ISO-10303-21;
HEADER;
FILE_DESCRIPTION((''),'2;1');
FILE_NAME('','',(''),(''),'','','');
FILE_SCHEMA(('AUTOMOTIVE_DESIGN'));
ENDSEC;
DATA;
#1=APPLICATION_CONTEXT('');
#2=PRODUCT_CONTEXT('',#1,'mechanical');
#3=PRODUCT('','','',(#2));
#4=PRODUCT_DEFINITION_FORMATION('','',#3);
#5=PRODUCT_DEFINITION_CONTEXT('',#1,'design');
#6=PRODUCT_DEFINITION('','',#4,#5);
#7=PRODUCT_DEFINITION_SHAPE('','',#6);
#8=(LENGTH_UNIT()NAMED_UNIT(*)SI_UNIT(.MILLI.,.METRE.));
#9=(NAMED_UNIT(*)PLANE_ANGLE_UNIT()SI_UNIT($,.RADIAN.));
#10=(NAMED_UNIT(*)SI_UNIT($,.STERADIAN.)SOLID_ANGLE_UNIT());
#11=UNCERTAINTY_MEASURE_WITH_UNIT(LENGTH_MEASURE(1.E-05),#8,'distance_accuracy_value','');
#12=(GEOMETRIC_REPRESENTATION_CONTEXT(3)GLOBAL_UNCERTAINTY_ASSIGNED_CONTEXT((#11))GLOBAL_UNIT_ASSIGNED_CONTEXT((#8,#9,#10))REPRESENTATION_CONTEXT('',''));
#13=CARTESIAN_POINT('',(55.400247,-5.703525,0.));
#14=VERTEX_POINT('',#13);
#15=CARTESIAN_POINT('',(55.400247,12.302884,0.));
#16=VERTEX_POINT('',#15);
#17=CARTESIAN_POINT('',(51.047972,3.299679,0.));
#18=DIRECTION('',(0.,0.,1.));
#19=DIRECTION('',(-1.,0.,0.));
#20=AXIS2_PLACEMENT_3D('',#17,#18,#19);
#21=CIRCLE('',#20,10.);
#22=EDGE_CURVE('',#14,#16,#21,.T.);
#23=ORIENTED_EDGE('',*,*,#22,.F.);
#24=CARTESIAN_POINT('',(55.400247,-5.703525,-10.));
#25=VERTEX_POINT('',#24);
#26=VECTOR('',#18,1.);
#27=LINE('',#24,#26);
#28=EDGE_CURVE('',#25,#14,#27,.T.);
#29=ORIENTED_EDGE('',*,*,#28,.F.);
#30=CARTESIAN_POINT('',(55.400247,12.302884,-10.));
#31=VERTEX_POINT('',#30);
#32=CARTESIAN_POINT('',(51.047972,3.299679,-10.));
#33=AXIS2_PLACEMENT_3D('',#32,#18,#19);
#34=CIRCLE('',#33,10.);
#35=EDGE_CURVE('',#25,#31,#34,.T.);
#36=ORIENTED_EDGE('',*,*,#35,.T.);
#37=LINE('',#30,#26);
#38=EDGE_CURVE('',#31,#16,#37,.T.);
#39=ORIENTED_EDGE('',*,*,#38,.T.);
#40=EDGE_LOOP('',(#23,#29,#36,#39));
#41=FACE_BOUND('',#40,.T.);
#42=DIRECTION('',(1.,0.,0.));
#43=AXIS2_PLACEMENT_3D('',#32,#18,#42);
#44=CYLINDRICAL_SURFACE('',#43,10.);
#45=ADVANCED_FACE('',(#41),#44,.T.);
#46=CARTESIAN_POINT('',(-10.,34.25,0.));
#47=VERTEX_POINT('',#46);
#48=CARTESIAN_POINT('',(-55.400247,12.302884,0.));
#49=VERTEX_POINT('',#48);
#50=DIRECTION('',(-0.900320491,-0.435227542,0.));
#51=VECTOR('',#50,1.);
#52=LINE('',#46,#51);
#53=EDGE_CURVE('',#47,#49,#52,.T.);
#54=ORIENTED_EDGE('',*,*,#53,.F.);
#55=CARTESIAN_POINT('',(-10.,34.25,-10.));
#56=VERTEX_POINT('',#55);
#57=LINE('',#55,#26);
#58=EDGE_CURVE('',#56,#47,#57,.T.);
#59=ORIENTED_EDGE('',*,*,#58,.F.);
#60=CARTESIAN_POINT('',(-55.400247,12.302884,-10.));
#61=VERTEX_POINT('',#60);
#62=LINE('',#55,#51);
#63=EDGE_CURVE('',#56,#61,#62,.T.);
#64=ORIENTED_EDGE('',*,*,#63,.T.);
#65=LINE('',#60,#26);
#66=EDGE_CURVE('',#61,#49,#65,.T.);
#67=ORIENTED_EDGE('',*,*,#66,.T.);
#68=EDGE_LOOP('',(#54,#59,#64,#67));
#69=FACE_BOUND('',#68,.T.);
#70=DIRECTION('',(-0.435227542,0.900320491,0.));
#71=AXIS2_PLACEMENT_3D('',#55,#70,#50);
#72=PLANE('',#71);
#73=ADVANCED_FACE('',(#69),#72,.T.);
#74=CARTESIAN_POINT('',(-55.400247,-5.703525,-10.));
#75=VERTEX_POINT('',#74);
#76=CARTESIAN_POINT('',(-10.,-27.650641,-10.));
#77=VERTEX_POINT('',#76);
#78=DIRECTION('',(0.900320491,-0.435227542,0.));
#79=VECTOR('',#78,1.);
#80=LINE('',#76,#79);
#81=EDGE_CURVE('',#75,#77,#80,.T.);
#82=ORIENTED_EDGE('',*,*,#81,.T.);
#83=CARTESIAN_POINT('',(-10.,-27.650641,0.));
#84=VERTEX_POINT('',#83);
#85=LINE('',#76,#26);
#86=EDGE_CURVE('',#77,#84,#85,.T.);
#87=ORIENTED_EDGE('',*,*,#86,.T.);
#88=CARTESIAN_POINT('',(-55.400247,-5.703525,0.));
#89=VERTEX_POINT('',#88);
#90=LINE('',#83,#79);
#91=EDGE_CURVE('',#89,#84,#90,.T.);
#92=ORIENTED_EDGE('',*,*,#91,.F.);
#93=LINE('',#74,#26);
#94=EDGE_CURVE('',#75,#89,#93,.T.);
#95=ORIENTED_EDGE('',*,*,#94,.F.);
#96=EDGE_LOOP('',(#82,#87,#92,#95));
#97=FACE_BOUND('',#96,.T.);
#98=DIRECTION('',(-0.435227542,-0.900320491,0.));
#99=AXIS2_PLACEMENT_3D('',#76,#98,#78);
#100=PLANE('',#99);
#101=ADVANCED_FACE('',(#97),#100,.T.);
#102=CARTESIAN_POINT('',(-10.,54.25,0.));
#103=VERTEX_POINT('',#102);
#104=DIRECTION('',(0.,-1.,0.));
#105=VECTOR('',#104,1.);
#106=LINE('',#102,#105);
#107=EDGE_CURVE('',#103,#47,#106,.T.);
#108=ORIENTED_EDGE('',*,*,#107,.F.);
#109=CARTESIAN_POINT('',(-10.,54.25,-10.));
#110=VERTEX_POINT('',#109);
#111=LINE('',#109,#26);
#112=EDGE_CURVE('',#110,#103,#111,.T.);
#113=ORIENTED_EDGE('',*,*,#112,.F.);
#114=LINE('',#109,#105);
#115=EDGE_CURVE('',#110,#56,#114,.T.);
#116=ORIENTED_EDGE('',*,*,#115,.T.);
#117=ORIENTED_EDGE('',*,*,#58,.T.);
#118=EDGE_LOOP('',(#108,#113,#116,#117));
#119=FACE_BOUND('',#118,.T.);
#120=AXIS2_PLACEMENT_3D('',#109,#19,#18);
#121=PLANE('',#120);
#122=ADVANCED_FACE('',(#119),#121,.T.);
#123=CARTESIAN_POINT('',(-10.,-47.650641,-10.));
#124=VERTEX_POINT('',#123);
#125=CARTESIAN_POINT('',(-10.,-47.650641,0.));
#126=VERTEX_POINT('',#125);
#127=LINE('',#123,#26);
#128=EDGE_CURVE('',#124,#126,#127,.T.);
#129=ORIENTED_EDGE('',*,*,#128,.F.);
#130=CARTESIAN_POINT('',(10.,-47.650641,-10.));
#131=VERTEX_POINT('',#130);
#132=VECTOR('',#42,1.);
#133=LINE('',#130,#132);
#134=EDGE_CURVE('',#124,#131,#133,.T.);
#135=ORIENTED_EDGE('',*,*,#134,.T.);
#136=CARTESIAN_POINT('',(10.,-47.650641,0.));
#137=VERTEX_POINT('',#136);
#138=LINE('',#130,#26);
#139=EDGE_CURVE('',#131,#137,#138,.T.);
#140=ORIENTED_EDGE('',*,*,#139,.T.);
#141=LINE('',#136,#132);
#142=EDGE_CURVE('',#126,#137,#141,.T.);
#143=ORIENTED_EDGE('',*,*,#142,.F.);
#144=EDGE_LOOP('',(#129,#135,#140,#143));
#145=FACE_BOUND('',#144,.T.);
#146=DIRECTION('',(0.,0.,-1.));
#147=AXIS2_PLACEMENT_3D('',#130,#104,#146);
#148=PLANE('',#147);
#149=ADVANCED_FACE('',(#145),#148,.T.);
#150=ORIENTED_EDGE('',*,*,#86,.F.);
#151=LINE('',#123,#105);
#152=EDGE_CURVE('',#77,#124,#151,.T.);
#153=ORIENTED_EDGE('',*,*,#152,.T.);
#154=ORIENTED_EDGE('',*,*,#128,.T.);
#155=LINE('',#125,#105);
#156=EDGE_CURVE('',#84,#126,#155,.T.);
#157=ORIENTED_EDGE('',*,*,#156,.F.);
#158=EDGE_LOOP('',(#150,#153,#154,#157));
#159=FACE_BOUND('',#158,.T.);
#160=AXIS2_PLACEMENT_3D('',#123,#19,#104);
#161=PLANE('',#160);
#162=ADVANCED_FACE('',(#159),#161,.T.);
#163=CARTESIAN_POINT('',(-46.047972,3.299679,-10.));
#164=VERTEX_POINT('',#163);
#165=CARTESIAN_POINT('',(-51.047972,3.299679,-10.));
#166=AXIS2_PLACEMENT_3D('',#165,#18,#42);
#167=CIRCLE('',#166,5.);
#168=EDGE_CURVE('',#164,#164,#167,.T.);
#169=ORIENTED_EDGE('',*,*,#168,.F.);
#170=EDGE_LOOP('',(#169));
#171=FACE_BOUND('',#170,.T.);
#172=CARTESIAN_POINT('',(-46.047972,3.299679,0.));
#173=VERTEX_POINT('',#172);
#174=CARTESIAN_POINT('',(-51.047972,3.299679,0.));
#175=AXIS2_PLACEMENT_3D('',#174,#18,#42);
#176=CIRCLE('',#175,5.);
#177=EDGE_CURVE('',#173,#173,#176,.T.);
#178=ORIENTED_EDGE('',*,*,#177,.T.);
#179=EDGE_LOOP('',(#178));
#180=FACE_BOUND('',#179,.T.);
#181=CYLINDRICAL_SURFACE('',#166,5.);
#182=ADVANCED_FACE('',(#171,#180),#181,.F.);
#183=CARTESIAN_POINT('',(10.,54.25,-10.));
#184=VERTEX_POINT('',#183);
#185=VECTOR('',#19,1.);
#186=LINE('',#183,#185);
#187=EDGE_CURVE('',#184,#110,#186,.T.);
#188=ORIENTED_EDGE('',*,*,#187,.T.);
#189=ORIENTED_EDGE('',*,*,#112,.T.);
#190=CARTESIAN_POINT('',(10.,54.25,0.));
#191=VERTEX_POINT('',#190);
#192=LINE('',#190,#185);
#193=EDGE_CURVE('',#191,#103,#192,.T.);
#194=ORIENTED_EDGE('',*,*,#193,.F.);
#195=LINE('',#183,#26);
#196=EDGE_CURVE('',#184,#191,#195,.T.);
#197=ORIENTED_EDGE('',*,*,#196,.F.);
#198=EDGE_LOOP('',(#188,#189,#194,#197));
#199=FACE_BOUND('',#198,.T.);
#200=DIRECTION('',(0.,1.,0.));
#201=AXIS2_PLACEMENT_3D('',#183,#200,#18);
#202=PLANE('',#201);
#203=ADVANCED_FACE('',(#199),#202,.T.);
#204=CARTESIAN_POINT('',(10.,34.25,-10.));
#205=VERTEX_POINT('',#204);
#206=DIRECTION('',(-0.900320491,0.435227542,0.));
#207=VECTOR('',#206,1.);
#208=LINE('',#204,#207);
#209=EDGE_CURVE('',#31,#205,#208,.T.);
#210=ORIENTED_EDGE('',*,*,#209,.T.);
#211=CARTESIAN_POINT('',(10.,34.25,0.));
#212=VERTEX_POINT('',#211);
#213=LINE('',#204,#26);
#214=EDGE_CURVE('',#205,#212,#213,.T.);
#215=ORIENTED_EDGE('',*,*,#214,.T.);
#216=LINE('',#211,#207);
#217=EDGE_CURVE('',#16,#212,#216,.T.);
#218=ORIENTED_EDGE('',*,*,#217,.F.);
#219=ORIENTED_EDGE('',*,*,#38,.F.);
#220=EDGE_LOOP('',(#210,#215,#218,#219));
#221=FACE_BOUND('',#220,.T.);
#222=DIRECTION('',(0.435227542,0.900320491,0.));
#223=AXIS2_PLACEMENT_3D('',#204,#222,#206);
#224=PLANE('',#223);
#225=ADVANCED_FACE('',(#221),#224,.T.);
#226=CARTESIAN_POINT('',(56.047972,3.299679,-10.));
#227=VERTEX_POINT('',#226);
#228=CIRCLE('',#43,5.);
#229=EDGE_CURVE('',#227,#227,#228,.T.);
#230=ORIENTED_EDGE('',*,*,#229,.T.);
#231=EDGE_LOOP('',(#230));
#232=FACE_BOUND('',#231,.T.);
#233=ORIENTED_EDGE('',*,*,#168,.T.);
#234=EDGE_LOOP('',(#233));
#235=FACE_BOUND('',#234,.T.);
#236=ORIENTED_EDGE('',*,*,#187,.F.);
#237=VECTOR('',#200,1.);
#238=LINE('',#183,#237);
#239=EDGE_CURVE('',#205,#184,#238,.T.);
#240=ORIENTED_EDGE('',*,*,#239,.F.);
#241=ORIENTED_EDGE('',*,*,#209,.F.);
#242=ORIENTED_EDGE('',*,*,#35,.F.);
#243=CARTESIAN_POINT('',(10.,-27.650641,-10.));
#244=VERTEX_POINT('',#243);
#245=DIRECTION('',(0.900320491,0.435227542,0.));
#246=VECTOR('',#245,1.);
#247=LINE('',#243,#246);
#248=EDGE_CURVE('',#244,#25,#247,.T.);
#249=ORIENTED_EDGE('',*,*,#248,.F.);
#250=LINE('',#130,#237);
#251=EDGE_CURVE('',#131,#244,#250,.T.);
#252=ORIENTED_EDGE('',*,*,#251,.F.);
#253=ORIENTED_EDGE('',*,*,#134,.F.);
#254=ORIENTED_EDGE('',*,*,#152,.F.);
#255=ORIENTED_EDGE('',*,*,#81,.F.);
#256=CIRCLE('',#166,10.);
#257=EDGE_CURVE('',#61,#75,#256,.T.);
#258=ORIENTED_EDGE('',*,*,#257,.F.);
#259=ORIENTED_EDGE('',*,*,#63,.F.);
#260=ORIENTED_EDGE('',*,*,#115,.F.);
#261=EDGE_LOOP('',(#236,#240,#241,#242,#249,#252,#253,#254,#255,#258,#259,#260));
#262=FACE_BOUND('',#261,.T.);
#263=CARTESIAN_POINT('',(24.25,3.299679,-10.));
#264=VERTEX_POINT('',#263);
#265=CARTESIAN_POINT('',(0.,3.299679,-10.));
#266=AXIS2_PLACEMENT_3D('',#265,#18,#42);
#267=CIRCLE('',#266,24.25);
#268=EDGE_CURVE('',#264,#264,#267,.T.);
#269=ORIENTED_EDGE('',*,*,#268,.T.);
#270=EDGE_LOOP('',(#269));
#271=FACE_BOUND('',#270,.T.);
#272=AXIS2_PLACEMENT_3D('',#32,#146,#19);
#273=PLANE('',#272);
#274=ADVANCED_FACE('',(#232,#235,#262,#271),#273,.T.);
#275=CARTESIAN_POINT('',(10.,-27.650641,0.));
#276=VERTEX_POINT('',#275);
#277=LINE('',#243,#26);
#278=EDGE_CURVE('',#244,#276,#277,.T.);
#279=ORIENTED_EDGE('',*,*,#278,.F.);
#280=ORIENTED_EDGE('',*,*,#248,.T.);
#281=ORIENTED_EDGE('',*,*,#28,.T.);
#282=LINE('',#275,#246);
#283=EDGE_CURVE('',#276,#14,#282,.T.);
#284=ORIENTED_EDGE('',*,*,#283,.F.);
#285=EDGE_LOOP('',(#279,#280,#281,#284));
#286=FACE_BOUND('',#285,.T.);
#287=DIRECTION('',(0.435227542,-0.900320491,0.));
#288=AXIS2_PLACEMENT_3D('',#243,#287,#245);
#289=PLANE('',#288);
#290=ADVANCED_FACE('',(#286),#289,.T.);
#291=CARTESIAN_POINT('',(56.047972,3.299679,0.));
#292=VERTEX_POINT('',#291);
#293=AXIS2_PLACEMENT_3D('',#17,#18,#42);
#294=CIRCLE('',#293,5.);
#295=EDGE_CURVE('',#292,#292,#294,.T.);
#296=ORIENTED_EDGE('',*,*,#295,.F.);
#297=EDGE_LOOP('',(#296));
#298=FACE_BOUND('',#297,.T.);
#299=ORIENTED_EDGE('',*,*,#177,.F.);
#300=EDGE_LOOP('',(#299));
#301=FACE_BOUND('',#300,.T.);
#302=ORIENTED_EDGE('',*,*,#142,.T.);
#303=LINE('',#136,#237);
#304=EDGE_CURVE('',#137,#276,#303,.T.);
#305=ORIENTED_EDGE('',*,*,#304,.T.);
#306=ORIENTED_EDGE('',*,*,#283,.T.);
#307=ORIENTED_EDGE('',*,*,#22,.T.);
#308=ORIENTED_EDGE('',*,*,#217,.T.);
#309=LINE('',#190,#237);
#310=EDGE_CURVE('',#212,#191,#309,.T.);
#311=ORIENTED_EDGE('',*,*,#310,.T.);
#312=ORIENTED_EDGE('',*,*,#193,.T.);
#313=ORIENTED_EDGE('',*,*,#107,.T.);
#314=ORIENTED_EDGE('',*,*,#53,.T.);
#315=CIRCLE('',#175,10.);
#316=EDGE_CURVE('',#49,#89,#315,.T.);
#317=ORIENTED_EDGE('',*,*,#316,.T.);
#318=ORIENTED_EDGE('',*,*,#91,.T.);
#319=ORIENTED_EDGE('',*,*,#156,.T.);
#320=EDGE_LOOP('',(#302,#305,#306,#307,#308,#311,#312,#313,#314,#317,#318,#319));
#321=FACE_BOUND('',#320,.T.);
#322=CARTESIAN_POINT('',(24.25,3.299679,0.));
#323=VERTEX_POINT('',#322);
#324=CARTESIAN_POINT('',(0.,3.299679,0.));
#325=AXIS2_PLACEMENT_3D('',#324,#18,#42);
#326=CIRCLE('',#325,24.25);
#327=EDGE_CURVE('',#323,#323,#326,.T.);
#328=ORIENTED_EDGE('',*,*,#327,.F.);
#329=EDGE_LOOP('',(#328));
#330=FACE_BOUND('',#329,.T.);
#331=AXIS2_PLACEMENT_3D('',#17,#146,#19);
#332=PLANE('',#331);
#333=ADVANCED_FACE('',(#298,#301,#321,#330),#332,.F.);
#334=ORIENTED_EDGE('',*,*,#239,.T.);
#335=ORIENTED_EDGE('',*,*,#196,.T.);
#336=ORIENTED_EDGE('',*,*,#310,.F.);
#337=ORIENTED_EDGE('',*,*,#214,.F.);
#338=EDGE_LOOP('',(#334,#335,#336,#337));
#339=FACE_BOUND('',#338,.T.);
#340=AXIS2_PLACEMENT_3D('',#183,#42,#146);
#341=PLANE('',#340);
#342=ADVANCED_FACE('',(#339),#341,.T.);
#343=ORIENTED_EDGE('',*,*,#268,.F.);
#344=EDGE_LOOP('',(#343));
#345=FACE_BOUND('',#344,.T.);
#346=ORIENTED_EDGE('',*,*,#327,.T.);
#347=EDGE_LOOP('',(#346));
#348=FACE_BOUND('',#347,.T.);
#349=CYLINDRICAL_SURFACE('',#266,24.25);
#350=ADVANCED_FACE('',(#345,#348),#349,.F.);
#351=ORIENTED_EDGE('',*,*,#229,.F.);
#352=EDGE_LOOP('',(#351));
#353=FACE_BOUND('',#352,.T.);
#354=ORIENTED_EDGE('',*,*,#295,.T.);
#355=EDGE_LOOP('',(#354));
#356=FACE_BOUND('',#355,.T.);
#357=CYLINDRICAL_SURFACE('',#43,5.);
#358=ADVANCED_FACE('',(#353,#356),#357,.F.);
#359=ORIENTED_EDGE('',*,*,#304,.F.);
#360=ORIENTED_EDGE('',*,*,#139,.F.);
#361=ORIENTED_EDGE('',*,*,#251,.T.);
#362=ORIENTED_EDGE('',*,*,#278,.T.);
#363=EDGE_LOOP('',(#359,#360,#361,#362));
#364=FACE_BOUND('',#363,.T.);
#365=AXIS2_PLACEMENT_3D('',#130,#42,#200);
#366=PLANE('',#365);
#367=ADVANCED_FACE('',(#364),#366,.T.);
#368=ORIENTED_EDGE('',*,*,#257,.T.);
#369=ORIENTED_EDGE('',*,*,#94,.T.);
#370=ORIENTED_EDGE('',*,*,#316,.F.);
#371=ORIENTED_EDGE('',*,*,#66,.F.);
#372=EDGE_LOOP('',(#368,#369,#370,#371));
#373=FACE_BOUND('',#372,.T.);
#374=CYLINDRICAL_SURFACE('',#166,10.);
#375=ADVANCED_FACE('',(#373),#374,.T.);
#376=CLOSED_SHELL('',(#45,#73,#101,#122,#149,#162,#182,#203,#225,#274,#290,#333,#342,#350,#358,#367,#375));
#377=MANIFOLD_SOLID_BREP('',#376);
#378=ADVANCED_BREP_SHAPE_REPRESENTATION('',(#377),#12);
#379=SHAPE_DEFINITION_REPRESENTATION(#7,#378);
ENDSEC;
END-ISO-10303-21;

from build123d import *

# Parameters (mm, degrees)
SKETCH1_R           = 24.25
SKETCH1_R_2         = 5
BOSS_EXTRUDE1_DEPTH = 10


with BuildPart() as part:
    # Sketch1 → Boss-Extrude1 (new body)
    with BuildSketch(Plane.XY):
        with BuildLine():
            Line((10, 54.25), (-10, 54.25))
            Line((-10, 54.25), (-10, 34.25))
            Line((-10, 34.25), (-55.400247003, 12.302884399))
            ThreePointArc((-55.400247003, 12.302884399), (-61.047971586, 3.299679487), (-55.400247003, -5.703525425))
            Line((-55.400247003, -5.703525425), (-10, -27.650641026))
            Line((-10, -27.650641026), (-10, -47.650641026))
            Line((-10, -47.650641026), (10, -47.650641026))
            Line((10, -47.650641026), (10, -27.650641026))
            Line((10, -27.650641026), (55.400247003, -5.703525425))
            ThreePointArc((55.400247003, -5.703525425), (61.047971586, 3.299679487), (55.400247003, 12.302884399))
            Line((55.400247003, 12.302884399), (10, 34.25))
            Line((10, 34.25), (10, 54.25))
        make_face()
        with Locations((0, 3.299679487)):
            Circle(SKETCH1_R, mode=Mode.SUBTRACT)
        with Locations((51.047971586, 3.299679487)):
            Circle(SKETCH1_R_2, mode=Mode.SUBTRACT)
        with Locations((-51.047971586, 3.299679487)):
            Circle(SKETCH1_R_2, mode=Mode.SUBTRACT)
    extrude(amount=-BOSS_EXTRUDE1_DEPTH)


solid = part.part
